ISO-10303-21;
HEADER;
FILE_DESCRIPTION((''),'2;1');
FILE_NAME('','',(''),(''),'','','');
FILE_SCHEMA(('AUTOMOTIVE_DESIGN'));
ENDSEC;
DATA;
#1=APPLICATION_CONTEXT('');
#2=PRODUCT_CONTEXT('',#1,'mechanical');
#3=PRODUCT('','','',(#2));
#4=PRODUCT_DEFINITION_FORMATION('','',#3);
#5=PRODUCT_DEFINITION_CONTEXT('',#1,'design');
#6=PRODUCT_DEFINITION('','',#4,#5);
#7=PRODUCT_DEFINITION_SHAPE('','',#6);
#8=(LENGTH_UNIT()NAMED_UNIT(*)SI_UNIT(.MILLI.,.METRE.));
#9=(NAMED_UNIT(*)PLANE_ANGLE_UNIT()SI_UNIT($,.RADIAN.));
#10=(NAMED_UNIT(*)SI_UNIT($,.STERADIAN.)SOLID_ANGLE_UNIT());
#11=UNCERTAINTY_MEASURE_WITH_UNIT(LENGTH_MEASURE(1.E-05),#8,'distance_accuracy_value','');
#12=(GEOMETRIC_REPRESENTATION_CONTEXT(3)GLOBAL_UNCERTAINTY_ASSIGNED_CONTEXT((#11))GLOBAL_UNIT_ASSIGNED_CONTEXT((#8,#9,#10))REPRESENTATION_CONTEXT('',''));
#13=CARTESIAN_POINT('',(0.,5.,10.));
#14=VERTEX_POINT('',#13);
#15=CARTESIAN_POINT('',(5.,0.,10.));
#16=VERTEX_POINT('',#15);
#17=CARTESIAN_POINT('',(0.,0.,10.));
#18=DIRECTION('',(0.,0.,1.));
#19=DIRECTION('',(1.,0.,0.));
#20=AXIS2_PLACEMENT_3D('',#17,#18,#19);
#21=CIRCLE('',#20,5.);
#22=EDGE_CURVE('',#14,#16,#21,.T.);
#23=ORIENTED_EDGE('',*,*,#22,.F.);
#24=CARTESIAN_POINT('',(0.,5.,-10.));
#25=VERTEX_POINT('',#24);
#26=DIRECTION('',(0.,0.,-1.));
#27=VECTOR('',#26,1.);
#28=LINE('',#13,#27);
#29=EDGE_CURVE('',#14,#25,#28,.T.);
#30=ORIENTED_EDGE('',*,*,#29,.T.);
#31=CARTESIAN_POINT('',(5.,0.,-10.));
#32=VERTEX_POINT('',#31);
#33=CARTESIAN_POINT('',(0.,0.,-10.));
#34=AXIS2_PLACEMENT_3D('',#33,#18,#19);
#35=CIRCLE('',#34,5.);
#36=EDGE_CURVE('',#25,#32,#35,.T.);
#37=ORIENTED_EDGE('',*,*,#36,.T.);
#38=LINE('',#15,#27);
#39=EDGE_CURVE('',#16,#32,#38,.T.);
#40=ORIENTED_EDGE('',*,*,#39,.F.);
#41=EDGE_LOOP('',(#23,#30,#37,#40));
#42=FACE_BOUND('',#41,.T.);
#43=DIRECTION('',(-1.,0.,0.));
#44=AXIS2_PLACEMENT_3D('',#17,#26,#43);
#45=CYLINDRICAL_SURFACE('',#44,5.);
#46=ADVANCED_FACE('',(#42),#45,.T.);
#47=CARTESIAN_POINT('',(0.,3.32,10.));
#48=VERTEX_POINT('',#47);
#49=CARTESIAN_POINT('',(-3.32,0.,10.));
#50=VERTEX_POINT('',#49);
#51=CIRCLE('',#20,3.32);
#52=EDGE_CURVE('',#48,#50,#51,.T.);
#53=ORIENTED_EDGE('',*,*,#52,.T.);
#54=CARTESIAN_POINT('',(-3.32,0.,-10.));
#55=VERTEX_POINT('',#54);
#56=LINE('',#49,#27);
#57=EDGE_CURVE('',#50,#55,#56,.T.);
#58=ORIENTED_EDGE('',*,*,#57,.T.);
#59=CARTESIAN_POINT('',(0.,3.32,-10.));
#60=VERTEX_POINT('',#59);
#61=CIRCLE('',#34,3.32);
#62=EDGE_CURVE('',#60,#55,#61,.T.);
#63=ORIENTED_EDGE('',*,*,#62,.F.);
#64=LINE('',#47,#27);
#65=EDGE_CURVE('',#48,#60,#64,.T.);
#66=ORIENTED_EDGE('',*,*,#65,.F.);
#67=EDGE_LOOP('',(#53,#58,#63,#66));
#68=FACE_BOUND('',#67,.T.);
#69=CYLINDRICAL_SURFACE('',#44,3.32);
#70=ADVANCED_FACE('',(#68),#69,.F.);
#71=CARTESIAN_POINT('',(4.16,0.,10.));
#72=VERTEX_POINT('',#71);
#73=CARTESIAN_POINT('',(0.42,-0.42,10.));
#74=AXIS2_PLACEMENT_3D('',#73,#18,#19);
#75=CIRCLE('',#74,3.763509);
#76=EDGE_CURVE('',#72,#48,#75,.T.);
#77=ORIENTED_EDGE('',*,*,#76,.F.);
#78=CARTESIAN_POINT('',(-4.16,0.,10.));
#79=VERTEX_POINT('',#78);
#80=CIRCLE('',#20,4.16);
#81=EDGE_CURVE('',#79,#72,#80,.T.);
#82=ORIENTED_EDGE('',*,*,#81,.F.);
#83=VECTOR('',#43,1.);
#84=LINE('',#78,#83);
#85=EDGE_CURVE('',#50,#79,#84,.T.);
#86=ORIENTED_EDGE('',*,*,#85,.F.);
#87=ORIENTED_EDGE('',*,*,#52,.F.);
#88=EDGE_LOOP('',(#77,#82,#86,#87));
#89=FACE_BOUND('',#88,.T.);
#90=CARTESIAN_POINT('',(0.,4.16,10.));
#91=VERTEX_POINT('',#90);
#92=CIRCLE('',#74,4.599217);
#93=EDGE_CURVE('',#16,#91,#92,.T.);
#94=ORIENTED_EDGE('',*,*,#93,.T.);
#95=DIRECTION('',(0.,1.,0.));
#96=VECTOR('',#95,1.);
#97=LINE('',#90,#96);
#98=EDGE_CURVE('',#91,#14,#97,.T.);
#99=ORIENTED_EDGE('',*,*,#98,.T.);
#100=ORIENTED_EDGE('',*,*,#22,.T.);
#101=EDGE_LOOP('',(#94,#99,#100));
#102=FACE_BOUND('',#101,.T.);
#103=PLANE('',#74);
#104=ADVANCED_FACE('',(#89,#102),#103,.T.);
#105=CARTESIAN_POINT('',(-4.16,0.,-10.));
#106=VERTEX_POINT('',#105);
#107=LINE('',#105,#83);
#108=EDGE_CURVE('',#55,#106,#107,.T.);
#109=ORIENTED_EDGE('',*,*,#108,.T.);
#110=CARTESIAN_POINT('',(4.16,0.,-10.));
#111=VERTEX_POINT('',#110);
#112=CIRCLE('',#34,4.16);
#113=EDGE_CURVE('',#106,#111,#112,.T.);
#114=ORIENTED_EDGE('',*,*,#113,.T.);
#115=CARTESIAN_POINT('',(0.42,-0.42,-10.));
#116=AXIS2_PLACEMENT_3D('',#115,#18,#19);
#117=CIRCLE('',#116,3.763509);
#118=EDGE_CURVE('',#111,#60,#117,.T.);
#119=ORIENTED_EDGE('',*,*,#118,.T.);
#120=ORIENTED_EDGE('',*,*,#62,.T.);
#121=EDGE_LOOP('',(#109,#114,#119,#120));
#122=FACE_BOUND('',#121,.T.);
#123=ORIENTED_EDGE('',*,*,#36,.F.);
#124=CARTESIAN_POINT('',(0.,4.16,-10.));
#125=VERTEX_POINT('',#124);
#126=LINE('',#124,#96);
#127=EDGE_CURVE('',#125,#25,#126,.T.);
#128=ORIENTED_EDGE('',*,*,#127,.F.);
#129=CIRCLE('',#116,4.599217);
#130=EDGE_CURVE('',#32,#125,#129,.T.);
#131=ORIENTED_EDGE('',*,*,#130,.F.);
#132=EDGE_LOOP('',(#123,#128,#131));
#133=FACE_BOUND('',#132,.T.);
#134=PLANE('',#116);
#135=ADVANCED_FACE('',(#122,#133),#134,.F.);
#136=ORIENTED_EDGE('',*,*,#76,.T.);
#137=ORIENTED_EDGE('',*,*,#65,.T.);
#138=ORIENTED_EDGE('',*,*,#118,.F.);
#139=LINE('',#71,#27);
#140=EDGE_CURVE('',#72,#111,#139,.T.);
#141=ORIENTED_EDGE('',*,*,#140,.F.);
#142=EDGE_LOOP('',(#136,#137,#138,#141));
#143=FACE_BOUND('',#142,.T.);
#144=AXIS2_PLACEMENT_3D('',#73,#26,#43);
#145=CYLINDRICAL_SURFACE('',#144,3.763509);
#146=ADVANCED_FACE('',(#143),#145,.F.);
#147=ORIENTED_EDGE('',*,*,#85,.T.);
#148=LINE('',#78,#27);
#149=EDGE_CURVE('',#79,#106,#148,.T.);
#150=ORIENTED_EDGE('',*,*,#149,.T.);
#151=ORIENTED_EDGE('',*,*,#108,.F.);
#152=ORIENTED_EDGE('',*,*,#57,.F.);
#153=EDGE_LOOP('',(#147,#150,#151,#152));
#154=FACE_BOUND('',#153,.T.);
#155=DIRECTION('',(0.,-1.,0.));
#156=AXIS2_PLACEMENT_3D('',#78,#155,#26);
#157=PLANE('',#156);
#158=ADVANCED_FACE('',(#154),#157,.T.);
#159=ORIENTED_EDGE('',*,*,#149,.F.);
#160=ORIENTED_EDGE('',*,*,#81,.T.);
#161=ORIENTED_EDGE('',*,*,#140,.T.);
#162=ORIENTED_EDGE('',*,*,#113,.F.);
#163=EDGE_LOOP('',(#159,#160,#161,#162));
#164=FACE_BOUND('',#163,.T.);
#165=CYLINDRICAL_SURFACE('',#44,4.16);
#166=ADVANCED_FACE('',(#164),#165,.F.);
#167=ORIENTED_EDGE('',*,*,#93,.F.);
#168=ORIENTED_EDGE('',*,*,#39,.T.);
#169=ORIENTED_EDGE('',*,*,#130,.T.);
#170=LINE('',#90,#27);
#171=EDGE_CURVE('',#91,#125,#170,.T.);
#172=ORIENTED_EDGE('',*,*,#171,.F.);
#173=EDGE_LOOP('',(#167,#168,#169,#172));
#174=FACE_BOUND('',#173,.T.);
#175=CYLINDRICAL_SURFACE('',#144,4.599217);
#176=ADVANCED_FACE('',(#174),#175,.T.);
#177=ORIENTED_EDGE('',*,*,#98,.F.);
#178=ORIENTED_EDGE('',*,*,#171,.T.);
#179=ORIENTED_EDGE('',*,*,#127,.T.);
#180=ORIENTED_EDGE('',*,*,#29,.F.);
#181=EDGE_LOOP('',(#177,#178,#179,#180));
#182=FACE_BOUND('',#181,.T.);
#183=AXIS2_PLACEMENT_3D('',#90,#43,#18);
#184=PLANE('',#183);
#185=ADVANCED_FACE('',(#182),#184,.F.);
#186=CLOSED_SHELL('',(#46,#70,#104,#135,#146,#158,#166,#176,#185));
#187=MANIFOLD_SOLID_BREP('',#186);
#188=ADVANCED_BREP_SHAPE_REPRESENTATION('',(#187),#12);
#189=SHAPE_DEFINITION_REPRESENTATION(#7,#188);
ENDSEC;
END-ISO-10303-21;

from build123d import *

# Parameters (mm, degrees)
BASE_EXTRUDE_DEPTH = 10


with BuildPart() as part:
    # Sketch1 → Base-Extrude (new, symmetric)
    with BuildSketch(Plane.XY):
        with BuildLine():
            Line((0, 4.16), (0, 5))
            ThreePointArc((0, 5), (-3.535533906, -3.535533906), (5, 0))
            ThreePointArc((5, 0), (3.36156421, 3.115533906), (0, 4.16))
        make_face()
        with BuildLine():
            Line((-4.16, 0), (-3.32, 0))
            ThreePointArc((-3.32, 0), (-2.347594514, 2.347594514), (0, 3.32))
            ThreePointArc((0, 3.32), (2.767594514, 2.52156421), (4.16, 0))
            ThreePointArc((4.16, 0), (0, -4.16), (-4.16, 0))
        make_face(mode=Mode.SUBTRACT)
    extrude(amount=BASE_EXTRUDE_DEPTH, both=True)


solid = part.part
